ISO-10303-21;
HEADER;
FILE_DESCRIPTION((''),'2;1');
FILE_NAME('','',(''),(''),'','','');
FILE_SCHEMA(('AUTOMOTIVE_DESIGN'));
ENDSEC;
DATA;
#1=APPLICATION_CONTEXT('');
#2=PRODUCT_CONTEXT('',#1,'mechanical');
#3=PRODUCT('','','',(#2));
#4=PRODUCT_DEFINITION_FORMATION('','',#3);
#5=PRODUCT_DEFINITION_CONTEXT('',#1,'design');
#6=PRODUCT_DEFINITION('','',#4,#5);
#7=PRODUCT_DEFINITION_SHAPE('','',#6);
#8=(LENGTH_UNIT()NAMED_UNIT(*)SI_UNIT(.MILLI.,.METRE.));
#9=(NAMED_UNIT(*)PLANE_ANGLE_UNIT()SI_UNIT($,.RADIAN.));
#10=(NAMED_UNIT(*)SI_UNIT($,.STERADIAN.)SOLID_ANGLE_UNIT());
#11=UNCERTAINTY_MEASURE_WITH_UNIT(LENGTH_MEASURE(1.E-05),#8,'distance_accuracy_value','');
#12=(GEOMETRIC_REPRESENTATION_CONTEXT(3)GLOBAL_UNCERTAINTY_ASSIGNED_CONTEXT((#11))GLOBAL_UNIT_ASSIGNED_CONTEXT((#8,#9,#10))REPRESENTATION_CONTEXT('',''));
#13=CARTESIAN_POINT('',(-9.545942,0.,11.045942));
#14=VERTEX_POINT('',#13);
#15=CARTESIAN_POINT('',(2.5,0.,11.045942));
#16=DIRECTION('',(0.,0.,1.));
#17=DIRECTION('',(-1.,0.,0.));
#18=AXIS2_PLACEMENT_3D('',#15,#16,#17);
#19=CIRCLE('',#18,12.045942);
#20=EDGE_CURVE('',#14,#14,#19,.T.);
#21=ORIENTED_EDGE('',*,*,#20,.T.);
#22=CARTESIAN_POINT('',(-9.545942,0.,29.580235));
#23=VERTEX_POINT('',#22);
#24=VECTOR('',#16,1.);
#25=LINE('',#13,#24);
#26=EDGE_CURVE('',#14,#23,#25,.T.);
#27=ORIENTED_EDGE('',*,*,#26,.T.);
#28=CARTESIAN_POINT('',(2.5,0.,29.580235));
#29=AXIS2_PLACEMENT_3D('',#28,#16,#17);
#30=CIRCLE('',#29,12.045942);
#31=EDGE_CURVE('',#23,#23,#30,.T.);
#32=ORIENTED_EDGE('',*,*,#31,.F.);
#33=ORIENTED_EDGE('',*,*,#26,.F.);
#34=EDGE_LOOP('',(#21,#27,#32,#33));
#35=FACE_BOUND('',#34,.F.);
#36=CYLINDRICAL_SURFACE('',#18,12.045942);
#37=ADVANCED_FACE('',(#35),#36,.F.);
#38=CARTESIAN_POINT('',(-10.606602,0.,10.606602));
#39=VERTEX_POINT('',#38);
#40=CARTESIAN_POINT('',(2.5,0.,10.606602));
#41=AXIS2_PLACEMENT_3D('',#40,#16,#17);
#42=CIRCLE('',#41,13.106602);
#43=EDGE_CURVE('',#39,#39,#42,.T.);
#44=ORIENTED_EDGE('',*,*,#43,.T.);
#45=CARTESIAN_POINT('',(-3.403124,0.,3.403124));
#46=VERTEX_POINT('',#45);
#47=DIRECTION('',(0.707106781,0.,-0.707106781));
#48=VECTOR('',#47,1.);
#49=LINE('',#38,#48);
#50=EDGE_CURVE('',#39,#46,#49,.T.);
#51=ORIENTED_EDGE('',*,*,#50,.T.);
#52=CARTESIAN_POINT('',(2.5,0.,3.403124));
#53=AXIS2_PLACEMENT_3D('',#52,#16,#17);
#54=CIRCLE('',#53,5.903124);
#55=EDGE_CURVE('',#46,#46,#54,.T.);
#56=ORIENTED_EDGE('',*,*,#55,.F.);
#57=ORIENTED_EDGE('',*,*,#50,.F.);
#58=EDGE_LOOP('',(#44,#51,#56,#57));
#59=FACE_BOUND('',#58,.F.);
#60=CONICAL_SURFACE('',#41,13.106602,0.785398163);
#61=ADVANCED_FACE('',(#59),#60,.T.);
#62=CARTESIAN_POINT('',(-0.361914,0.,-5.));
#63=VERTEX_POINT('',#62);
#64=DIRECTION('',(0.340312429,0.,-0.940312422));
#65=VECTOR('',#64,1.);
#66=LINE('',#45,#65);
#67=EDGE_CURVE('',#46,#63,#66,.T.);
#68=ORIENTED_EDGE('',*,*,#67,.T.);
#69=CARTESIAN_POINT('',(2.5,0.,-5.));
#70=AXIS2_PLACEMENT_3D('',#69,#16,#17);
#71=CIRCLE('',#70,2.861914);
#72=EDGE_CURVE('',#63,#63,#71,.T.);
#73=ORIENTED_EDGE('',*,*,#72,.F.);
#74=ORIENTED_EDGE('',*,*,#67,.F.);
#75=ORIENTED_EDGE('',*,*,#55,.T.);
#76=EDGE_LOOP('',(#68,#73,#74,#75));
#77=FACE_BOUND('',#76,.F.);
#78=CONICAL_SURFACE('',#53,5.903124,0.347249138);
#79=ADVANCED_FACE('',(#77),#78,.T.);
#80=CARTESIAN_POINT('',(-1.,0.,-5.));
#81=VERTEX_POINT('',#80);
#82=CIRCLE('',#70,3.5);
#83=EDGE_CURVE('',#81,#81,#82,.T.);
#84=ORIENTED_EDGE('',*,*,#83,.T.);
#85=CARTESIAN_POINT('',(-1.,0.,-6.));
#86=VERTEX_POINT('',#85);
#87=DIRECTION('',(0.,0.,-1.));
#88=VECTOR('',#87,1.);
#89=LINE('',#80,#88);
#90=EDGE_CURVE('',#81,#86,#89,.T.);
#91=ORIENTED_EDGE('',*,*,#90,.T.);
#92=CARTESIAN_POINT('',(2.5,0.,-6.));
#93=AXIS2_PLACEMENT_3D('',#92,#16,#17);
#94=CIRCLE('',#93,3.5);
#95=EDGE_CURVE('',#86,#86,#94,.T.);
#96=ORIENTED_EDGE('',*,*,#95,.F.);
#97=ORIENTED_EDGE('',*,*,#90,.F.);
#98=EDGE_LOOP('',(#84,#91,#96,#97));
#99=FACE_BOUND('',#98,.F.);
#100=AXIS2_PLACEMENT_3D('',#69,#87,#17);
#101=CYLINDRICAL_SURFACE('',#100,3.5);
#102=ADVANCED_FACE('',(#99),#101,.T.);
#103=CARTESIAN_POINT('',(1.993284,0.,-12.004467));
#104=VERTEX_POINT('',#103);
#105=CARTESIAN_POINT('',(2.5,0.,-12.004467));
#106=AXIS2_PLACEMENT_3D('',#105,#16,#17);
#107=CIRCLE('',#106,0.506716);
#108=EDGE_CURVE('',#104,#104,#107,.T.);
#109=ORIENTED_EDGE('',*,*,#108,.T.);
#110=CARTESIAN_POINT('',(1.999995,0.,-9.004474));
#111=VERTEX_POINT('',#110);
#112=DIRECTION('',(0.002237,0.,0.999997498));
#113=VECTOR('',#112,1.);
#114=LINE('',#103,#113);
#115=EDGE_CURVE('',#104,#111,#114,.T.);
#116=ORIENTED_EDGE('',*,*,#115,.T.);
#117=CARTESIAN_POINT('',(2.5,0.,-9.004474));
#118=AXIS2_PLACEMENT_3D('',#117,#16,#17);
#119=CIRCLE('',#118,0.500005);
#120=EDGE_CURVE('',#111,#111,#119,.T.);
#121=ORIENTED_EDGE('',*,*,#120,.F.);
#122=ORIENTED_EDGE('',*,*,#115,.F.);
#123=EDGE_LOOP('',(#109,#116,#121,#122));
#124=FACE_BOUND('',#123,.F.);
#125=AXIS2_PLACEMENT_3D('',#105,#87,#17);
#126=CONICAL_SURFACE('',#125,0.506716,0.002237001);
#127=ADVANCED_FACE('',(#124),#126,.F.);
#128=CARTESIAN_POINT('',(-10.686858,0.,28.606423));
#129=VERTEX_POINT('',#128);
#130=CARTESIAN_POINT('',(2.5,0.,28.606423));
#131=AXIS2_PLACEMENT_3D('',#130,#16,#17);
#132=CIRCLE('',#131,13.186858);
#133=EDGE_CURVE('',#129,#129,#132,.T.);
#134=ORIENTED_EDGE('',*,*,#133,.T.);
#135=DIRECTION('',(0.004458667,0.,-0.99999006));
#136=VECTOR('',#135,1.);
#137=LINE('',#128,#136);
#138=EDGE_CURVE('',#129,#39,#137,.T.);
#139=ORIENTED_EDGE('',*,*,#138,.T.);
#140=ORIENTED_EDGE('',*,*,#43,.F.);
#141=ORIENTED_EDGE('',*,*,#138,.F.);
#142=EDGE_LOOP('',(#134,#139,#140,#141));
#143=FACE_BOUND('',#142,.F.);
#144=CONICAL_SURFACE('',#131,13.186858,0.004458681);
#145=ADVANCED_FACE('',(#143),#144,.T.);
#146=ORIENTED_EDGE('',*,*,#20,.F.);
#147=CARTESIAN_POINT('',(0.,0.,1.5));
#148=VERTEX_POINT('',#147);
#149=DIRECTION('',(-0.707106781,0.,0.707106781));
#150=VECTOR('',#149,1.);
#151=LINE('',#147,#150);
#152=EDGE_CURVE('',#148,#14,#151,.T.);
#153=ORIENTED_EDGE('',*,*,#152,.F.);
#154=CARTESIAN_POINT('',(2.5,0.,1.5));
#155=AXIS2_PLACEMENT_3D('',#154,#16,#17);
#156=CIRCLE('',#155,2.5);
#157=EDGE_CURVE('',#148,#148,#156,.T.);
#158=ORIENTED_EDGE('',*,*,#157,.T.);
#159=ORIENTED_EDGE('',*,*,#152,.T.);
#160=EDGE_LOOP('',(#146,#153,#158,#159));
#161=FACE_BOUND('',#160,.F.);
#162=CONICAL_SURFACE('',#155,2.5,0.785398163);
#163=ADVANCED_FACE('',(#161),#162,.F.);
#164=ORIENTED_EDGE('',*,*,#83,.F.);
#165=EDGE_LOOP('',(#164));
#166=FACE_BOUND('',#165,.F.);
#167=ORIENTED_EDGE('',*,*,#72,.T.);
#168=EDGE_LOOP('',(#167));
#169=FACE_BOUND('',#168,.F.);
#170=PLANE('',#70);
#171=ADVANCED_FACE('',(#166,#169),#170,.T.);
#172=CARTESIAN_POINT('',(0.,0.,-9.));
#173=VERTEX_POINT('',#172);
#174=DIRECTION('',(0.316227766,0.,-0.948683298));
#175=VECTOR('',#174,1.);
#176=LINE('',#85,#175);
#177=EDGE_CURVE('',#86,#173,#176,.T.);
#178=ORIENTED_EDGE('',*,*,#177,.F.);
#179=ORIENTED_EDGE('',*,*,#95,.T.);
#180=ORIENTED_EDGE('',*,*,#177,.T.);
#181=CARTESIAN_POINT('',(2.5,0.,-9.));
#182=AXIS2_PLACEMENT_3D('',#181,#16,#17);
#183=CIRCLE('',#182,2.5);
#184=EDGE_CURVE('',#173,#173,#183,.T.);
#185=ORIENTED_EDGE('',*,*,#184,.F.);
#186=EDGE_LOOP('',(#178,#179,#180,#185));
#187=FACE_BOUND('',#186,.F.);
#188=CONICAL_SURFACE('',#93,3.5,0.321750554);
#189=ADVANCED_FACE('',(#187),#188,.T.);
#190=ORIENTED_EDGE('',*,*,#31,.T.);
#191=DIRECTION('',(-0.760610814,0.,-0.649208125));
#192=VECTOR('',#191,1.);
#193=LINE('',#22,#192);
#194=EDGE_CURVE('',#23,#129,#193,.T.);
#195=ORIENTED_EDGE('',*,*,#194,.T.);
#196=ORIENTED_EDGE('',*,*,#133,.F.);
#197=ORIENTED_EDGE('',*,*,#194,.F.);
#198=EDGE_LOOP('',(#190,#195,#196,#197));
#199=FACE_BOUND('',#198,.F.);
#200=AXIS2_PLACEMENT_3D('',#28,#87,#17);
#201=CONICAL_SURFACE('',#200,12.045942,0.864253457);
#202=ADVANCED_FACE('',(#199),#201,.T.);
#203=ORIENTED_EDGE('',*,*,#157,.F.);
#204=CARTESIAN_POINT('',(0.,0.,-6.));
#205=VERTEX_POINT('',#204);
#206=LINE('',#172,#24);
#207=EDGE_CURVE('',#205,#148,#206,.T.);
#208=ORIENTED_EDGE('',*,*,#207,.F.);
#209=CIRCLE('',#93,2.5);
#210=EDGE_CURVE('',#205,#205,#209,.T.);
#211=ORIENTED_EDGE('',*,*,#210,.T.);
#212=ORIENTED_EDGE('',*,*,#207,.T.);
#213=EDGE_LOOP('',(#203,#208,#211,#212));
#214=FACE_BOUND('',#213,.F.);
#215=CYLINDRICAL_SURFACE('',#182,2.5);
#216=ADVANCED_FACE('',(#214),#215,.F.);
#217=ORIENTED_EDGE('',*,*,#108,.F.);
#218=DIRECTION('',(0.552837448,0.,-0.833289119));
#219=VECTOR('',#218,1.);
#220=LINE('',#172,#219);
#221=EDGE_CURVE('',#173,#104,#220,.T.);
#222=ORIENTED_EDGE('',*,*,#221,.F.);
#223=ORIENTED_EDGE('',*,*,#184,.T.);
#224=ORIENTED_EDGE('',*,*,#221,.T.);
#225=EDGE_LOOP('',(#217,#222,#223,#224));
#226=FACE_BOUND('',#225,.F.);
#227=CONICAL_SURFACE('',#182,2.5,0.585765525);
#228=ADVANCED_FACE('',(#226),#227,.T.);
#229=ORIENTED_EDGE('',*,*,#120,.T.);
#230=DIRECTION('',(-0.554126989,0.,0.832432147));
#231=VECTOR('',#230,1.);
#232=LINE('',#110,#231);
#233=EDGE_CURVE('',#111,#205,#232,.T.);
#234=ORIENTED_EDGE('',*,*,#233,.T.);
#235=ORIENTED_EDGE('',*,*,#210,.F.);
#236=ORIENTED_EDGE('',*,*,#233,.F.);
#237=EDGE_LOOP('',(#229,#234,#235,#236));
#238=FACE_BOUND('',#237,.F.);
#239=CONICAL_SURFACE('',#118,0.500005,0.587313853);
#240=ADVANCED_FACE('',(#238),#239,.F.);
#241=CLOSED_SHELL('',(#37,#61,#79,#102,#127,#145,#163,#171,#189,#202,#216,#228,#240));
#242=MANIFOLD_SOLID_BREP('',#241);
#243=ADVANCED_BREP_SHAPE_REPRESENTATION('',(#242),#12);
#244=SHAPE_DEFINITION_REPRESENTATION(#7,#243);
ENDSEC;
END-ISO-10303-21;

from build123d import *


with BuildPart() as f1:
    # F0 (on Front) → F1 (revolve)
    with BuildSketch(Plane.XZ):
        Polygon((-3.403124, 3.403124), (0, 0), (0, 1.5), (-9.545942, 11.045942), (-9.545942, 29.580235), (-10.686858, 28.606423), (-10.606602, 10.606602), align=None)
        Polygon((0, -5), (0, 0), (-3.403124, 3.403124), (-0.361914, -5), align=None)
        Polygon((0, -6), (0, -5), (-0.361914, -5), align=None)
        Polygon((0, -6), (-0.361914, -5), (-1, -5), (-1, -6), align=None)
        Polygon((0, -9), (0, -6), (-1, -6), align=None)
        Polygon((1.999995, -9.004474), (0, -6), (0, -9), align=None)
        Polygon((1.999995, -9.004474), (0, -9), (1.993284, -12.004467), align=None)
    revolve(axis=Axis((2.5, 0, 17.566036), (0, 0, 1)))


solid = f1.part
